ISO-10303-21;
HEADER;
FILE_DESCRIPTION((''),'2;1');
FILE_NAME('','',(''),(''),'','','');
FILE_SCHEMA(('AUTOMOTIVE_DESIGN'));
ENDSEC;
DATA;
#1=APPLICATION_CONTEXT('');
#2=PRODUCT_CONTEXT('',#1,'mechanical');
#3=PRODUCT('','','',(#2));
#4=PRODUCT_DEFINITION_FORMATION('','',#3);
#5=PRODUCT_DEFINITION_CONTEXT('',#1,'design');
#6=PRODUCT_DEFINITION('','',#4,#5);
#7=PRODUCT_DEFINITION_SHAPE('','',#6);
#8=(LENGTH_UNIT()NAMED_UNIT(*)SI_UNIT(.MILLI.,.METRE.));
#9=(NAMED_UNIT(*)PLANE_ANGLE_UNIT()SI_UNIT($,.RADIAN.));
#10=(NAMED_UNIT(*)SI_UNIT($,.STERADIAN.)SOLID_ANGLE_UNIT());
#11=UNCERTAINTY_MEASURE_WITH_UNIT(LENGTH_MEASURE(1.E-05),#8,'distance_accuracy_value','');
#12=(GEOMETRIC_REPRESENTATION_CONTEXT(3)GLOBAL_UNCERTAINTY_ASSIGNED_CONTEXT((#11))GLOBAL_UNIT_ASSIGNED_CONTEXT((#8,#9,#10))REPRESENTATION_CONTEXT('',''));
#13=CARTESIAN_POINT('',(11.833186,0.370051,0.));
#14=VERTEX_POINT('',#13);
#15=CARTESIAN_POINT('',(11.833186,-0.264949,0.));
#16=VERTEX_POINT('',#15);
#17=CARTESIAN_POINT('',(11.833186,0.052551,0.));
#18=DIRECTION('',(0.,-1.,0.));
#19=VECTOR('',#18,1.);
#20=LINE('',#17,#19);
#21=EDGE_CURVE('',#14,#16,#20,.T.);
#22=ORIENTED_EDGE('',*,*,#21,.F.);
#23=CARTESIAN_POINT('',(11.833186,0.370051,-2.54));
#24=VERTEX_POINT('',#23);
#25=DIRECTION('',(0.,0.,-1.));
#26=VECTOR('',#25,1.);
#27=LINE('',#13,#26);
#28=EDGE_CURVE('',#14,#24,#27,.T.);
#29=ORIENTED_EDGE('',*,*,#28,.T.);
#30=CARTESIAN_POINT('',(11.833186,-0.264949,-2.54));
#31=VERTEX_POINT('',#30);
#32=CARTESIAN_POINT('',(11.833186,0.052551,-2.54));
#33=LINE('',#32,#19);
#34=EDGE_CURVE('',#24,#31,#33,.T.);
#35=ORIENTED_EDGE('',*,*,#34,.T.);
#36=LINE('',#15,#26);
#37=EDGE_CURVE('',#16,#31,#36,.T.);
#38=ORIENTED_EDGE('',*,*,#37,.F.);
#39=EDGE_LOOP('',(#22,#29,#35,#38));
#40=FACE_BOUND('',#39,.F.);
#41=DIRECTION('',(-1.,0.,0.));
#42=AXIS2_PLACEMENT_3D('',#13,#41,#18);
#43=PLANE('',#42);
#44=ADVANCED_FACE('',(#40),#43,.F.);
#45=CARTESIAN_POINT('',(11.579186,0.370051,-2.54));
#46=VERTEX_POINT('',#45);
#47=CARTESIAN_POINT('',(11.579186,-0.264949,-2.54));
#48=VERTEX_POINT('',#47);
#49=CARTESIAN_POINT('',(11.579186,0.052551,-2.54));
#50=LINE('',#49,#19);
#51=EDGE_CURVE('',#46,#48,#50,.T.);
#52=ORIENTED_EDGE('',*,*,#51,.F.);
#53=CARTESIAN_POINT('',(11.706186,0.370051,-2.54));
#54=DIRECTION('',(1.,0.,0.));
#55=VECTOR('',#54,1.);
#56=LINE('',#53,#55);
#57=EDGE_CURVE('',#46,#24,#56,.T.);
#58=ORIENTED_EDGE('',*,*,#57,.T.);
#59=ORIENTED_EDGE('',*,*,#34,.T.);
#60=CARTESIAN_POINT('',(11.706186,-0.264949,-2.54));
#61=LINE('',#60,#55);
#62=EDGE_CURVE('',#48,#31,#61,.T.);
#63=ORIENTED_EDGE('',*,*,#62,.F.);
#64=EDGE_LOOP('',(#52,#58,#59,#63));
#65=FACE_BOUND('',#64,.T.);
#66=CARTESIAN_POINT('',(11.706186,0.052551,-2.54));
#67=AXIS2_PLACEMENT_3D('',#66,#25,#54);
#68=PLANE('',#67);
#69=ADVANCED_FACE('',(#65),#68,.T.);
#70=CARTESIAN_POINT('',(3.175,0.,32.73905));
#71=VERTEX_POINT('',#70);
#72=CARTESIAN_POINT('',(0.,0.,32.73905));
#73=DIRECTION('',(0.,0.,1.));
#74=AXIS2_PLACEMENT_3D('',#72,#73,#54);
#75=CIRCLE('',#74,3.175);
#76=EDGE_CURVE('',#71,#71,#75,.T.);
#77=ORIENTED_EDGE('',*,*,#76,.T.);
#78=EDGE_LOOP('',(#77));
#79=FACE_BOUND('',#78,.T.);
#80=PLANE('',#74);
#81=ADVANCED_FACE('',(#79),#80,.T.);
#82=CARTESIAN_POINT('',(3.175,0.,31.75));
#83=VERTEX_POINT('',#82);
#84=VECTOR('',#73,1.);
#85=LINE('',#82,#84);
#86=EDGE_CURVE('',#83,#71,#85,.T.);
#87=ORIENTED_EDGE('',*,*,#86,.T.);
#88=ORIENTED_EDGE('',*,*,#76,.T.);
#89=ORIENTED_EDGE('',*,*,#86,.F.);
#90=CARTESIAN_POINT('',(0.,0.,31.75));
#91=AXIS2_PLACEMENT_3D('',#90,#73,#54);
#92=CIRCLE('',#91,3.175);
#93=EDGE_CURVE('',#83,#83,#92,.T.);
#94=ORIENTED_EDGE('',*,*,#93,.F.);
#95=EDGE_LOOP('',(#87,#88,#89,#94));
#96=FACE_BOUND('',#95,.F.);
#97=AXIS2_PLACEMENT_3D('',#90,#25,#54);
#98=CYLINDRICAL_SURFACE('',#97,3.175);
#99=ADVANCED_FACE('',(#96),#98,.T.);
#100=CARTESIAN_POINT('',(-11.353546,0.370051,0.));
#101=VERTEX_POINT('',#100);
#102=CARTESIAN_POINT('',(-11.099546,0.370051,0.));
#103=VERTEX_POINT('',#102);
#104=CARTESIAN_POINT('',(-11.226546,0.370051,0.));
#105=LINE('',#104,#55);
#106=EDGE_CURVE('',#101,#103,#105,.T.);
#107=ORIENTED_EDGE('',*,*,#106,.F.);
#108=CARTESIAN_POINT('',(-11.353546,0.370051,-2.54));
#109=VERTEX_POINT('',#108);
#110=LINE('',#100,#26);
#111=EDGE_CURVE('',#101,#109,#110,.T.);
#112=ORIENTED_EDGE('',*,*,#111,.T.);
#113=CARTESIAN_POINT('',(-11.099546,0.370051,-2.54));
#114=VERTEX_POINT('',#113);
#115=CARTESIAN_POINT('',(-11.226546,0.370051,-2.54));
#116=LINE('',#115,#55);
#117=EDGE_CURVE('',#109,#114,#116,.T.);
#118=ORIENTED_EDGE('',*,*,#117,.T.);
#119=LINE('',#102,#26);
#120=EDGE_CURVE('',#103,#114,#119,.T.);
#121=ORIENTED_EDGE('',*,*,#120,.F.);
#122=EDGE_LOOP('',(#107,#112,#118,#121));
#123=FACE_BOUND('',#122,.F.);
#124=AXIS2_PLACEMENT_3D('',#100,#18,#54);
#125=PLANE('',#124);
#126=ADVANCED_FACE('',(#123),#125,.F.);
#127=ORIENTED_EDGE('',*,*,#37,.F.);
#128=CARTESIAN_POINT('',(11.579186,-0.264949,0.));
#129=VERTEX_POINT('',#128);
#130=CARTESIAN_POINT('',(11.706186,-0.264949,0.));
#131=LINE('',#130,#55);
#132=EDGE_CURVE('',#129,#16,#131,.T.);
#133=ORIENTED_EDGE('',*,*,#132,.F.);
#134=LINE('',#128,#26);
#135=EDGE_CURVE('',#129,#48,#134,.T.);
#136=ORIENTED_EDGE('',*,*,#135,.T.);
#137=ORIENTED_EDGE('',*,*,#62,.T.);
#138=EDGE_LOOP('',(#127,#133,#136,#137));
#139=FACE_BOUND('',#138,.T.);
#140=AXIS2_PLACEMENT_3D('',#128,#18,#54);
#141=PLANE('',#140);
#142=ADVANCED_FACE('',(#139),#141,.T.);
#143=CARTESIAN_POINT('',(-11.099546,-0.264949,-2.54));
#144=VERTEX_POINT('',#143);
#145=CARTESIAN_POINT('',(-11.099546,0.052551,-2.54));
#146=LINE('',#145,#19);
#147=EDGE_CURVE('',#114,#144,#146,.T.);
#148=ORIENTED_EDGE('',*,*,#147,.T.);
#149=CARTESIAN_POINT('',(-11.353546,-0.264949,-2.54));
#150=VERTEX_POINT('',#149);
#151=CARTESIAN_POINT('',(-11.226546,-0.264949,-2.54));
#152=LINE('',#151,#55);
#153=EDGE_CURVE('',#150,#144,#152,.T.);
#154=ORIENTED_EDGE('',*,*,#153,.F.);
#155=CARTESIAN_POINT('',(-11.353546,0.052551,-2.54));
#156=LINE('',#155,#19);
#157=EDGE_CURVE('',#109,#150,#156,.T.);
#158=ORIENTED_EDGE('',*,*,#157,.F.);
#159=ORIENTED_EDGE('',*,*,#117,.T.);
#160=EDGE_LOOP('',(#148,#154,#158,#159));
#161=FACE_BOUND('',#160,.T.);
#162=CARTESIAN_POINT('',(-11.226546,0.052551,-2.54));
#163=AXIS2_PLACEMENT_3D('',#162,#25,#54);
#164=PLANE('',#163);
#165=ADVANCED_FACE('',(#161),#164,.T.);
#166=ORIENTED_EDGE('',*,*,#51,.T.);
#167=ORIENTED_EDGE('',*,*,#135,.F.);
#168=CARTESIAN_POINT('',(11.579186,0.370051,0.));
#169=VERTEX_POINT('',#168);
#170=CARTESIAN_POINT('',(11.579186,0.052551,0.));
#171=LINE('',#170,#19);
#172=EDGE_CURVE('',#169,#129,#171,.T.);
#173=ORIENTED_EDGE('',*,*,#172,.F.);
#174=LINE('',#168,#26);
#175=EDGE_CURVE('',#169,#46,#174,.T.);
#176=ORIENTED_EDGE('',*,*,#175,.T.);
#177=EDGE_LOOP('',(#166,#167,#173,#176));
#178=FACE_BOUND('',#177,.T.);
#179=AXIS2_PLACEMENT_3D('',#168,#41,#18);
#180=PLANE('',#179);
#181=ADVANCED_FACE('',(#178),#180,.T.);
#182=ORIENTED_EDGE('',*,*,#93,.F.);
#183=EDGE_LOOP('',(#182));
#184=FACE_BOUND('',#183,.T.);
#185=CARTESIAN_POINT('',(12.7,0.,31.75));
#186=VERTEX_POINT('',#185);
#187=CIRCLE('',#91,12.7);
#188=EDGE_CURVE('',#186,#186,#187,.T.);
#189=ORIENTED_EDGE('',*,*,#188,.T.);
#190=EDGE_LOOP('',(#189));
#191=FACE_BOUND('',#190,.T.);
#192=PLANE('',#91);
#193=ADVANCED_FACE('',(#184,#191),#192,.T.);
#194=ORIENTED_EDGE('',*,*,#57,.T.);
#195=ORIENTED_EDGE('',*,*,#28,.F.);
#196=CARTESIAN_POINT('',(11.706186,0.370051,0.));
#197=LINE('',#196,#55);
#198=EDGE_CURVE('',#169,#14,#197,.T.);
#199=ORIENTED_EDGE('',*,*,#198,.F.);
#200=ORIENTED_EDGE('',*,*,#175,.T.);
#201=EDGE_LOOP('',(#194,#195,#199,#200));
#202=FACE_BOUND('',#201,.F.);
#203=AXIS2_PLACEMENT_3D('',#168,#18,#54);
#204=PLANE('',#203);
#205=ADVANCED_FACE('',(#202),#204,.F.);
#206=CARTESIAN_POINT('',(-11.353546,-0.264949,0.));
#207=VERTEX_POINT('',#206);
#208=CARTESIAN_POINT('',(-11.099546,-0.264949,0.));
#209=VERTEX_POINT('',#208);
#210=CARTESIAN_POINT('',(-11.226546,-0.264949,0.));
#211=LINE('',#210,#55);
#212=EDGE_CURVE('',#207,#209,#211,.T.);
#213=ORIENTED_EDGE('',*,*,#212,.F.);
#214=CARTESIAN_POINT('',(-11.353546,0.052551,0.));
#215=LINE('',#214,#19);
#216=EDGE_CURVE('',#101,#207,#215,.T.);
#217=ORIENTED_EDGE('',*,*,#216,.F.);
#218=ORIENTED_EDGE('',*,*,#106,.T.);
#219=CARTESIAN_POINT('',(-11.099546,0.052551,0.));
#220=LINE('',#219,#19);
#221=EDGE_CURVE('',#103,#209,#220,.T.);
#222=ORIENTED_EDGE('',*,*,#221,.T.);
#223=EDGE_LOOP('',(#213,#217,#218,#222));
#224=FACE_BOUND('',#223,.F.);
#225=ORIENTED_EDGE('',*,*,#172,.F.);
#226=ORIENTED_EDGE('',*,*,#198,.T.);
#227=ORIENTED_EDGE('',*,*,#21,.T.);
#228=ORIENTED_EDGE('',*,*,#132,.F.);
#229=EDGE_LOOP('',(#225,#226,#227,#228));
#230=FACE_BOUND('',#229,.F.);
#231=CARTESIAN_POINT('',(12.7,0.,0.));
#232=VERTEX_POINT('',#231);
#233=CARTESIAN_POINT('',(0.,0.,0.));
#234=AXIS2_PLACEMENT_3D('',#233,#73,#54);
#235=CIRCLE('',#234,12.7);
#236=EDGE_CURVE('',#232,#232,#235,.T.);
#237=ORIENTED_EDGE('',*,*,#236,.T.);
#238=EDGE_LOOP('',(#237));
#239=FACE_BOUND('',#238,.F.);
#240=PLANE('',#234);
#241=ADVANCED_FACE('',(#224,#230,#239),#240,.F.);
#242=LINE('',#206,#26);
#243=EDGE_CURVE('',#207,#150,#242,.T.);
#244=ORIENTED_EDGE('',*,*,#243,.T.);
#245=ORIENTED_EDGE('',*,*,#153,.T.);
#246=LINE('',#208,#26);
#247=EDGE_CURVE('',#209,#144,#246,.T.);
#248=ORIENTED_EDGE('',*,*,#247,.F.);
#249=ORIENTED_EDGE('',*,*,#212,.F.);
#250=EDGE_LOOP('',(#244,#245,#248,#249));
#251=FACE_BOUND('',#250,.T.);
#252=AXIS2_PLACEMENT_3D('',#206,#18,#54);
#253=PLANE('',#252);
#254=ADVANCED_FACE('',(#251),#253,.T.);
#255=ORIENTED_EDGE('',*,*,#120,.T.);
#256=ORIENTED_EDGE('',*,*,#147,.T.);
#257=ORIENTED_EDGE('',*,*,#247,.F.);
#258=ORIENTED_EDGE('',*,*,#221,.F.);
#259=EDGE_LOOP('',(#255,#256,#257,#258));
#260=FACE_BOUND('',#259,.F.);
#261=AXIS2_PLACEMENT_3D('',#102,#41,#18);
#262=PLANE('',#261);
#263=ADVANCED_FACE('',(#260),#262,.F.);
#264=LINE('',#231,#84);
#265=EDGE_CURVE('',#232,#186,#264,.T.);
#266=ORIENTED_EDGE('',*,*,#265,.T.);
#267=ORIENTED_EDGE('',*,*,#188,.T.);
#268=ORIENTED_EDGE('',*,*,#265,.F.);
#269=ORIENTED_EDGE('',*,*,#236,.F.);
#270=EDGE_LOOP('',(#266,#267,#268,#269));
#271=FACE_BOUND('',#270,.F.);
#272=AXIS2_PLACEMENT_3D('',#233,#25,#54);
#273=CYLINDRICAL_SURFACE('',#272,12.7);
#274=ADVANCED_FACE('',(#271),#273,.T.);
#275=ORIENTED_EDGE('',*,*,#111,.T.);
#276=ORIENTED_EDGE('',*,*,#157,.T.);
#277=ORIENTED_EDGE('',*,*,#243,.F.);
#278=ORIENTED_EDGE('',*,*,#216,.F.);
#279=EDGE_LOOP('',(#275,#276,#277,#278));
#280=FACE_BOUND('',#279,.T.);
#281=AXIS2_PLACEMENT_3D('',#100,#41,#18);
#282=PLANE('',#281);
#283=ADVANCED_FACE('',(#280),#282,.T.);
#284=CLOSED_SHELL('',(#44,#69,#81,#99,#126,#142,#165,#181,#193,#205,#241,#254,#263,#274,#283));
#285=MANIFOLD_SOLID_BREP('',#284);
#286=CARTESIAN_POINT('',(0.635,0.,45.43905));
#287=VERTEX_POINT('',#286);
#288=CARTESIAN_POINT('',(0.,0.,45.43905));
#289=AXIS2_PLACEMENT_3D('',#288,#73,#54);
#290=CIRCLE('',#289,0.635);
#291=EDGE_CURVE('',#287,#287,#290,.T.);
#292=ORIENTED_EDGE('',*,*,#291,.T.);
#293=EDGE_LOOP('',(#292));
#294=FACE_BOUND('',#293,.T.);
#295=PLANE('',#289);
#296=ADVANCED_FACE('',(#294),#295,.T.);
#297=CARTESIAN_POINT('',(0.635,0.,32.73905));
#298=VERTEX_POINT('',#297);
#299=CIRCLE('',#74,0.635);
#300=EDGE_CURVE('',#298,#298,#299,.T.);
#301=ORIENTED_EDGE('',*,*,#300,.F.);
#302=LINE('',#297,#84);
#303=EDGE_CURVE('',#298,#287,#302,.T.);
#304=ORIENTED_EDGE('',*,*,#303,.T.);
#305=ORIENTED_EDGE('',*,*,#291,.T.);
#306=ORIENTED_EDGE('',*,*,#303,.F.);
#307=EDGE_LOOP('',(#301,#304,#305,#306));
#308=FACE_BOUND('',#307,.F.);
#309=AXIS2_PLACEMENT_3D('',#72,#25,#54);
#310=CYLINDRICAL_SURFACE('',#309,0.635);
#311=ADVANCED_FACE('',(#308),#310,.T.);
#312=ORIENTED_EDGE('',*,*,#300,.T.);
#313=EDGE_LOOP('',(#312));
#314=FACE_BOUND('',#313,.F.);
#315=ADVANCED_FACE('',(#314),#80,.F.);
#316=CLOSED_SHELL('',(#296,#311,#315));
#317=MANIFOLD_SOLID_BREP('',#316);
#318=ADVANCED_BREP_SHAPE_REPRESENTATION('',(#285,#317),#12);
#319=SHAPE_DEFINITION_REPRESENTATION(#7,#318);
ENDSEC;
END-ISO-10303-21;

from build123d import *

# Parameters (mm, degrees)
F0_R     = 12.7
F1_DEPTH = 31.75
F2_R     = 3.175
F3_DEPTH = 0.98905
F4_R     = 0.635
F5_DEPTH = 12.7
F6_W     = 0.254
F6_H     = 0.635
F7_DEPTH = 2.54


with BuildPart() as f1:
    # F0 (on Top) → F1 (new body)
    with BuildSketch(Plane.XY):
        Circle(F0_R)
    extrude(amount=F1_DEPTH)

    # F2 (on face) → F3 (join)
    with BuildSketch(Plane.XY.offset(31.75)):
        Circle(F2_R)
    extrude(amount=F3_DEPTH)

    # F6 (on face) → F7 (join)
    with BuildSketch(Plane(origin=(0, 0, 0), x_dir=(1, 0, 0), z_dir=(0, 0, -1))):
        with Locations((11.706186, -0.052551)):
            Rectangle(F6_W, F6_H)
        with Locations((-11.226546, -0.052551)):
            Rectangle(F6_W, F6_H)
    extrude(amount=F7_DEPTH)


with BuildPart() as f5:
    # F4 (on face) → F5 (new body)
    with BuildSketch(Plane.XY.offset(32.73905)):
        Circle(F4_R)
    extrude(amount=F5_DEPTH)


solid = Compound([f1.part, f5.part])
